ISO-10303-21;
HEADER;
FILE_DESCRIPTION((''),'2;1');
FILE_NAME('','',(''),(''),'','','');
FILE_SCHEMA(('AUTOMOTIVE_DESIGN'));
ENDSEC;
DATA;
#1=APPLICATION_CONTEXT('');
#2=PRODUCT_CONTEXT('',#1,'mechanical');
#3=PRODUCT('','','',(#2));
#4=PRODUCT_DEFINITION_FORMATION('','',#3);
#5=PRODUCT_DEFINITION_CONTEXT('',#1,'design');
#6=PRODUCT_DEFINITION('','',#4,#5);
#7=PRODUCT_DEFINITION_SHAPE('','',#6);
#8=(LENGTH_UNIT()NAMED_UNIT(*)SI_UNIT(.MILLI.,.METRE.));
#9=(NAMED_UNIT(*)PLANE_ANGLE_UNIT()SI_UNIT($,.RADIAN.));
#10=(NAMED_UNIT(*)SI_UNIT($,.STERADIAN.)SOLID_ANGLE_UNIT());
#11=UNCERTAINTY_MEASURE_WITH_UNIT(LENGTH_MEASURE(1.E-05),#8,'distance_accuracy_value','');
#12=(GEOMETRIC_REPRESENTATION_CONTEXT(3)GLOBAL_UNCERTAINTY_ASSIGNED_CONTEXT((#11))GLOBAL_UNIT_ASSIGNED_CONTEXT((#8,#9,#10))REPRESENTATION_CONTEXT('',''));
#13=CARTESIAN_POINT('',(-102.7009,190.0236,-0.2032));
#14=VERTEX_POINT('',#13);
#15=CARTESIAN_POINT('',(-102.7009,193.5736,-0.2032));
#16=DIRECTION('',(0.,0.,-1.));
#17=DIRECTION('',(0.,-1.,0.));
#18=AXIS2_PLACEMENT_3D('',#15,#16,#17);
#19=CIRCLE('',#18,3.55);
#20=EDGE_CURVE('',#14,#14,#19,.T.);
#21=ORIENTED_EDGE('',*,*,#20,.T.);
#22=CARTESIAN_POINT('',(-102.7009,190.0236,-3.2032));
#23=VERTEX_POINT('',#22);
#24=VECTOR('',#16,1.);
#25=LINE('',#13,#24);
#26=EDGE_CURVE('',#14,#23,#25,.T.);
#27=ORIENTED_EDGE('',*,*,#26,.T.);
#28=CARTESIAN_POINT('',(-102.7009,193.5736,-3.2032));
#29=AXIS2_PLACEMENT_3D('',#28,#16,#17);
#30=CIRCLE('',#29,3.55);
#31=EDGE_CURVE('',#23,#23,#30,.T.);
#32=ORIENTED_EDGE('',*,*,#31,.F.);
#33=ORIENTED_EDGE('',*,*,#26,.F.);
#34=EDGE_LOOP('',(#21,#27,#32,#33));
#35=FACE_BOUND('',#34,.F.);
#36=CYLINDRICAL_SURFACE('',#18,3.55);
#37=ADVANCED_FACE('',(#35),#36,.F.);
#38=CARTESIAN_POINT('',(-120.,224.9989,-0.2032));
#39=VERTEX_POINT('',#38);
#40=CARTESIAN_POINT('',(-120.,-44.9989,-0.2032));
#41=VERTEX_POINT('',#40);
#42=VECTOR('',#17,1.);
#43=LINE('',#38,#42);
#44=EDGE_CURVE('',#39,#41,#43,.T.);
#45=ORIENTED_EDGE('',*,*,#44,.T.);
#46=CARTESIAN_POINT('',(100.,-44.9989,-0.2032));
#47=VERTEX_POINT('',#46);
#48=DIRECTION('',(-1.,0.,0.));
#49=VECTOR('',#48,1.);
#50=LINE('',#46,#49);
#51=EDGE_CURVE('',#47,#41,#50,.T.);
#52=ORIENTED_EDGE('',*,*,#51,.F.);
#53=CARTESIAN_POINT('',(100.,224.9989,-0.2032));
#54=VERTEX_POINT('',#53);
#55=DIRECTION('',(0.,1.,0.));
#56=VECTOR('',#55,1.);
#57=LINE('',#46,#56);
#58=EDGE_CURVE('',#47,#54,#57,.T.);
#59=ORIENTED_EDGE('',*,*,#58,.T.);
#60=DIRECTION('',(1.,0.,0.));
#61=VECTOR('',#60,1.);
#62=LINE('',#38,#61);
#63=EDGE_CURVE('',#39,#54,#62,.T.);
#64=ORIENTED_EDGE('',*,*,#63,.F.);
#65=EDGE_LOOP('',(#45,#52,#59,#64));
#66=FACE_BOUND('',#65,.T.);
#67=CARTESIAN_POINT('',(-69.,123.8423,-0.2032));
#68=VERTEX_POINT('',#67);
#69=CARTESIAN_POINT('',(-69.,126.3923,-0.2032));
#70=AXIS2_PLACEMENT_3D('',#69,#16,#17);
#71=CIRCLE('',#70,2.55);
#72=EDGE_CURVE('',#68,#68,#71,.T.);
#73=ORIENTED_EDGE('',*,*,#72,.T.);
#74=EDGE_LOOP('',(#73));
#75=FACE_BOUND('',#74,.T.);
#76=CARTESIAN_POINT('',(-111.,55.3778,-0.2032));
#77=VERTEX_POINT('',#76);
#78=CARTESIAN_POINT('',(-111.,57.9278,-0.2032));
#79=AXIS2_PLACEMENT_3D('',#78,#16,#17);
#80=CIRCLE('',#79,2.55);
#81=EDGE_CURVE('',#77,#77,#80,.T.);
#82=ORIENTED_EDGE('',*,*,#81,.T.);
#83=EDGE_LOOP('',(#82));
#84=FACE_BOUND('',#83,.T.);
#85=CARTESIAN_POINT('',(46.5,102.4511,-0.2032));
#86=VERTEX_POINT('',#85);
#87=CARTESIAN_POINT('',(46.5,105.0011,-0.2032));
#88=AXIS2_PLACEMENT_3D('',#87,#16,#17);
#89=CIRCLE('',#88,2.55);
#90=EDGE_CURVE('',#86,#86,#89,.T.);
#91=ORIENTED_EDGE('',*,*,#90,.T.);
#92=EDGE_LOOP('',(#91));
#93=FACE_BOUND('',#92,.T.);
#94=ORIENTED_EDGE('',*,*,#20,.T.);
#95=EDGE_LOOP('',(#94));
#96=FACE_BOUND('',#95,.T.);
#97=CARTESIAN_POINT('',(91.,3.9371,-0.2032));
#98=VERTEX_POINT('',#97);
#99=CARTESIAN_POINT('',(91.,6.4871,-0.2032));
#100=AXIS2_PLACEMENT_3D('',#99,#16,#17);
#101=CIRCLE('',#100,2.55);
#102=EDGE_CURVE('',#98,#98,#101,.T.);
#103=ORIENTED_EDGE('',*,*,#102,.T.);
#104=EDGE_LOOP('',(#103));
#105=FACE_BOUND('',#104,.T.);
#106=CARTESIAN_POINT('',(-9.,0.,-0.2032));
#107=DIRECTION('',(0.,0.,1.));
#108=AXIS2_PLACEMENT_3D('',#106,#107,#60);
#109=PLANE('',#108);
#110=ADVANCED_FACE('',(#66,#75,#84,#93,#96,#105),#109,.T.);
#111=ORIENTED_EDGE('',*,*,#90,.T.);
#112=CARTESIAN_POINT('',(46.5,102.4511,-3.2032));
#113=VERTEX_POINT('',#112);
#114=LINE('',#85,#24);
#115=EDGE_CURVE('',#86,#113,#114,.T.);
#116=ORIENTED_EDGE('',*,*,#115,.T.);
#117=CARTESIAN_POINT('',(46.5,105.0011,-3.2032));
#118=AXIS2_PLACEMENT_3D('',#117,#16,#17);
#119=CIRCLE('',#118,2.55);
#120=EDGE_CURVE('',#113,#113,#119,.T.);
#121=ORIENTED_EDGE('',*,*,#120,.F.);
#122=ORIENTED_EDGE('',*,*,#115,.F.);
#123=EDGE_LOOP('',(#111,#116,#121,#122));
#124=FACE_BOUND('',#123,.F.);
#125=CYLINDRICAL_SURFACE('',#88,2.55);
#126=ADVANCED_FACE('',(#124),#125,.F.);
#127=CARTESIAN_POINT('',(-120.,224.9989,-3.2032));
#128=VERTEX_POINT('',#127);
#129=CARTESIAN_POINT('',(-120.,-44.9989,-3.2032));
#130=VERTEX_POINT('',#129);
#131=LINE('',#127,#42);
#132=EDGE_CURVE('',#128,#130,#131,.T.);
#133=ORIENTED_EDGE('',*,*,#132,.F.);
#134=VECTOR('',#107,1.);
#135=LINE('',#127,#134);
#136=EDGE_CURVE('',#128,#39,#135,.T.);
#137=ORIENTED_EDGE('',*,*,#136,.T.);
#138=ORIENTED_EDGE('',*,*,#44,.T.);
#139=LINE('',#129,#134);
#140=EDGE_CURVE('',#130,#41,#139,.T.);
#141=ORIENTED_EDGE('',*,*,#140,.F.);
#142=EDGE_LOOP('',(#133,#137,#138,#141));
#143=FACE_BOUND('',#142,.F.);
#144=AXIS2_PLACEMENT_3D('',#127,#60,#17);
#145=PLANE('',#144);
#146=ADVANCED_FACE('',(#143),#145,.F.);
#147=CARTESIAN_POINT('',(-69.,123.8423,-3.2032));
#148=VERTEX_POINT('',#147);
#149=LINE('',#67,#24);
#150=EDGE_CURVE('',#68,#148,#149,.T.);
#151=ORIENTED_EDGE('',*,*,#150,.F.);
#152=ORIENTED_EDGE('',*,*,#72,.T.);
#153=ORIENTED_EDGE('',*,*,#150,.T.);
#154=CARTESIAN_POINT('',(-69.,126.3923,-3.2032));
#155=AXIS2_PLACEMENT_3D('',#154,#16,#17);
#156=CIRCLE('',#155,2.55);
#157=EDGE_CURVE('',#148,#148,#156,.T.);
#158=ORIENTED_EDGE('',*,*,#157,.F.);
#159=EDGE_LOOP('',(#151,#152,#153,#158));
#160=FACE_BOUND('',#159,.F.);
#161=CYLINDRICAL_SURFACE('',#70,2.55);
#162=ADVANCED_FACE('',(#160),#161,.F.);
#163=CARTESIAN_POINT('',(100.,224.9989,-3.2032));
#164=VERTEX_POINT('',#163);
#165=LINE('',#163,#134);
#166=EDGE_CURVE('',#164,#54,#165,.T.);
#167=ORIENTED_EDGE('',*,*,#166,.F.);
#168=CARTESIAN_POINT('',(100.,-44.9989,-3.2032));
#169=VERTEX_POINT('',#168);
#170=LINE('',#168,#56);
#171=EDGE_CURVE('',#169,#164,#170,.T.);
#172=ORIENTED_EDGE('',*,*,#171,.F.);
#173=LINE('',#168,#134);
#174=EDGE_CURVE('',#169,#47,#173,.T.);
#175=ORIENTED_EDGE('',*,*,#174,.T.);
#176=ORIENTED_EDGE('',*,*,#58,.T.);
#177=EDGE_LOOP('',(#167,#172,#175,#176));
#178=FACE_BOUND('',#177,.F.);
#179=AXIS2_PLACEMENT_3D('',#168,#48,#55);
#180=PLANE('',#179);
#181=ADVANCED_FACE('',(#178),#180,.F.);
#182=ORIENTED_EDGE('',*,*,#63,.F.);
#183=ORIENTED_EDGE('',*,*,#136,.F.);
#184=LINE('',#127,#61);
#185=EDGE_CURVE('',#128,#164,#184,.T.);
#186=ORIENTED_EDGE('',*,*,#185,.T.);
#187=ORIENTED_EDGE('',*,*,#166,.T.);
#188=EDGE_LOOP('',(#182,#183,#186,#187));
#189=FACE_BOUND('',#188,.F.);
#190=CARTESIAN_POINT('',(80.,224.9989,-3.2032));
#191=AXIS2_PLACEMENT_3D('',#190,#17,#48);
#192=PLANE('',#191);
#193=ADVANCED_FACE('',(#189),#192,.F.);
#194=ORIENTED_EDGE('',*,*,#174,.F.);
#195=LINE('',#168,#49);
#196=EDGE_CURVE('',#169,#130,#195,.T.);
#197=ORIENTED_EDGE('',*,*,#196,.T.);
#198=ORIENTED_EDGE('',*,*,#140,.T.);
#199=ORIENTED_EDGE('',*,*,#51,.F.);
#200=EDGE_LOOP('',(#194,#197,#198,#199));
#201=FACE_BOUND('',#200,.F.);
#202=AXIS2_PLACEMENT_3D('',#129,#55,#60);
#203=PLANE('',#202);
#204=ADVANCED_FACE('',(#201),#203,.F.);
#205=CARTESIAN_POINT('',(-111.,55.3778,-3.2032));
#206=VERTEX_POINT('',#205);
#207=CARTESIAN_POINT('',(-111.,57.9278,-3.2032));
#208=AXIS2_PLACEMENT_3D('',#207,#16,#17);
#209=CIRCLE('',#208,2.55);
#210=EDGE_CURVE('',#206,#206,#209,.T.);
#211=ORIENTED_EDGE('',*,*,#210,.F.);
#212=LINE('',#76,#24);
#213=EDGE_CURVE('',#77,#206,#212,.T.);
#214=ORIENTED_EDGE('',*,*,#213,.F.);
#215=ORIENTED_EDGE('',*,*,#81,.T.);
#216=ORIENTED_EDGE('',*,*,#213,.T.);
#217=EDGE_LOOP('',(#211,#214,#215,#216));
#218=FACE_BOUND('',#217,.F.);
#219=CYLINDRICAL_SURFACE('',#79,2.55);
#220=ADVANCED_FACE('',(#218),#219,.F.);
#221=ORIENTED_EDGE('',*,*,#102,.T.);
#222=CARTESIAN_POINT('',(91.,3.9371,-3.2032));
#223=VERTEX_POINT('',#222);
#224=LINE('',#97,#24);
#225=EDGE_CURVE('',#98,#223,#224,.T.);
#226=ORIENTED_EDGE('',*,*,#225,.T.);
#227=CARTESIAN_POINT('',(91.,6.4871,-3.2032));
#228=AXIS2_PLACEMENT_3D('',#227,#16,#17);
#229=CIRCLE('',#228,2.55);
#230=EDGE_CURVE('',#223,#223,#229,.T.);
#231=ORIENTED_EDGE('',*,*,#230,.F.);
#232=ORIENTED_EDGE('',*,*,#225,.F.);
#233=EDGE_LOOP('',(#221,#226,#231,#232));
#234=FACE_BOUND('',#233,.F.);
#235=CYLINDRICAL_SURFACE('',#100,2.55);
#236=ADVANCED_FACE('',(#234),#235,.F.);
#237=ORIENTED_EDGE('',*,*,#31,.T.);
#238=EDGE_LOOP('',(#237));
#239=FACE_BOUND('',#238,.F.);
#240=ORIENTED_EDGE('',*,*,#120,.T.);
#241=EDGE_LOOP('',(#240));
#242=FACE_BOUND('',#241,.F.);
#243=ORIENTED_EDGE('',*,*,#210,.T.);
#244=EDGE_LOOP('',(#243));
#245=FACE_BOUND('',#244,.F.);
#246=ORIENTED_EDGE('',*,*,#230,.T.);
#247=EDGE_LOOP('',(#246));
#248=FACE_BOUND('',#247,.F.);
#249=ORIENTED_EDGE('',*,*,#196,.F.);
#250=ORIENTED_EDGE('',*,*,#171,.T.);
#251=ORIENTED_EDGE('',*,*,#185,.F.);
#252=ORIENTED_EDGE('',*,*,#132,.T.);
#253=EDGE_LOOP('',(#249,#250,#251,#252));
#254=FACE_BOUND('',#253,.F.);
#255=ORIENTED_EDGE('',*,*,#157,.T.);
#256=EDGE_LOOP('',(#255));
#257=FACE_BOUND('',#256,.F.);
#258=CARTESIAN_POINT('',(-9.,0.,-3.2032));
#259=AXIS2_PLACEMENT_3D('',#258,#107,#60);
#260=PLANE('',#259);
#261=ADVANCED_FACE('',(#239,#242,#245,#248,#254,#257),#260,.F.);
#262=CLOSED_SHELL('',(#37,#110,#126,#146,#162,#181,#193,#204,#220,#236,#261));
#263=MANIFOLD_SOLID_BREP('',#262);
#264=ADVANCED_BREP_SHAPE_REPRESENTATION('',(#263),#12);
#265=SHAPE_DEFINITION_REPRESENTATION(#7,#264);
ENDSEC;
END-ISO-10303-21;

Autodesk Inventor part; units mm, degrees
ref_plane "YZ Plane" through (0, 0, 0) normal (1, 0, 0) x (0, 1, 0)
ref_plane "XZ Plane" through (0, 0, 0) normal (0, 1, 0) x (-1, 0, 0)
ref_plane "XY Plane" through (0, 0, 0) normal (0, 0, 1) x (1, 0, 0)
ref_plane "Work Plane1" through (-9, 0, -3.2032) normal (0, 0, 1) x (1, 0, 0)
sketch "Sketch1" plane through (-9, 0, -3.2032) normal (0, 0, 1) x (1, 0, 0)
  ellipse E0 centre (-38.5, 0) end of major axis (-36.433, 0) minor radius 2.0669 projected
  ellipse E1 centre (36.5, 0) end of major axis (38.567, 0) minor radius 2.0669 projected
  line L0 (89, -44.9989) -> (89, 224.9989)
  line L1 (-111, 224.9989) -> (-111, -44.9989)
  line L2 (-111, -44.9989) -> (89, -44.9989)
  line L3 (89, 224.9989) -> (-91, 224.9989) projected
  line L4 (-91, -24.9989) -> (-91, 224.9989) projected
  line L5 (-91, -24.9989) -> (89, -24.9989) projected
  line L6 (89, 224.9989) -> (89, -24.9989) projected
  line L7 (-91, 224.9989) -> (-111, 224.9989)
  line L8 (89, -44.9989) -> (109, -44.9989)
  line L9 (109, -44.9989) -> (109, 224.9989)
  line L10 (109, 224.9989) -> (89, 224.9989)
  line L11 (89, 224.9989) -> (-91, 224.9989)
  point P0 (9, 0)
  point P1 (79, 224.9989)
  point P2 (79, -24.9989)
  point P3 (-81, 224.9989)
  point P4 (-81, -24.9989)
  point P5 (-91, 1846.3654)
  dimension "d40" = 20
  dimension "d41" = 90
extrude "Extrusion1" add sketch "Sketch1" along normal blind 3 contours E0 | E1 | L2 L1 L7 L4 L5 L0 | L0 L10 L9 L8 | L5 L4 L3 L0
sketch "Sketch2" plane through (-9, 0, -0.2032) normal (0, 0, 1) x (1, 0, 0)
  line L0 (-111, -44.9989) -> (89, -44.9989) construction
  line L1 (55.5, -44.9989) -> (55.5, 235.0161) construction
  line L2 (89, -44.9989) -> (89, 224.9989) construction
  line L3 (88.5, -24.9989) -> (88.5, 475.0011) projected
  point P0 (9, 0)
  point P1 (89, 4927.5367)
  point P2 (55.5, 105.0011)
  dimension "d4" = 33
  dimension "d12" = 150
hole "Hole1" at (46.5, 105.0011, -0.2032) direction (0, 0, -1) diameter 5.1 depth 3
sketch "Sketch3" plane through (-9, 0, -0.2032) normal (0, 0, 1) x (1, 0, 0)
  line L0 (89, -24.9989) -> (89, -24.9989) projected
  line L1 (89, -24.9989) -> (89, 475.0011) projected
  line L2 (89, 475.0011) -> (89, 475.0011) projected
  line L3 (89, -24.9989) -> (89, 475.0011) projected
  line L4 (69, -24.9989) -> (69, -24.9989) projected
  line L5 (69, -24.9989) -> (69, 475.0011) projected
  line L6 (69, 475.0011) -> (69, 475.0011) projected
  line L7 (69, -24.9989) -> (69, 475.0011) projected
  line L8 (-91, -24.9989) -> (-91, -24.9989) projected
  line L9 (-91, -24.9989) -> (-91, 475.0011) projected
  line L10 (-91, 475.0011) -> (-91, 475.0011) projected
  line L11 (-91, -24.9989) -> (-91, 475.0011) projected
  line L12 (-71, -24.9989) -> (-71, -24.9989) projected
  line L13 (-71, -24.9989) -> (-71, 475.0011) projected
  line L14 (-71, 475.0011) -> (-71, 475.0011) projected
  line L15 (-71, -24.9989) -> (-71, 475.0011) projected
  line L16 (100, -24.9989) -> (100, 239.9989) construction
  line L17 (-102, -24.9989) -> (-102, 244.9989) construction
  line L18 (-60, -24.9989) -> (-60, 2205.8354) construction
  line L19 (98.966, 4926.9545) -> (-101.034, 1503.4308) construction
  line L20 (55.3, -24.9989) -> (55.3, 4179.4968) construction
  line L21 (89, -44.9989) -> (89, 224.9989) projected
  point P0 (9, 0)
  point P1 (89, 4927.5367)
  point P2 (-111, 1504.013)
  point P3 (100, 6.4871)
  point P4 (-60, 126.3923)
  point P5 (-102, 57.9278)
  point P6 (-102, 193.5737)
  dimension "d14" = 11
  dimension "d15" = 11
  dimension "d16" = 13.7
  dimension "d39" = 11
hole "Hole3" at (91, 6.4871, -0.2032) at (-69, 126.3923, -0.2032) at (-111, 57.9278, -0.2032) direction (0, 0, -1) diameter 5.1 depth 3
sketch "Sketch4" plane through (-9, 0, -0.2032) normal (0, 0, 1) x (1, 0, 0)
  point P0 (9, 0)
  point P1 (-93.7009, 193.5736)
hole "Hole4" at (-102.7009, 193.5736, -0.2032) direction (0, 0, -1) diameter 7.1 depth 3
properties part number "Z axis front plate"
